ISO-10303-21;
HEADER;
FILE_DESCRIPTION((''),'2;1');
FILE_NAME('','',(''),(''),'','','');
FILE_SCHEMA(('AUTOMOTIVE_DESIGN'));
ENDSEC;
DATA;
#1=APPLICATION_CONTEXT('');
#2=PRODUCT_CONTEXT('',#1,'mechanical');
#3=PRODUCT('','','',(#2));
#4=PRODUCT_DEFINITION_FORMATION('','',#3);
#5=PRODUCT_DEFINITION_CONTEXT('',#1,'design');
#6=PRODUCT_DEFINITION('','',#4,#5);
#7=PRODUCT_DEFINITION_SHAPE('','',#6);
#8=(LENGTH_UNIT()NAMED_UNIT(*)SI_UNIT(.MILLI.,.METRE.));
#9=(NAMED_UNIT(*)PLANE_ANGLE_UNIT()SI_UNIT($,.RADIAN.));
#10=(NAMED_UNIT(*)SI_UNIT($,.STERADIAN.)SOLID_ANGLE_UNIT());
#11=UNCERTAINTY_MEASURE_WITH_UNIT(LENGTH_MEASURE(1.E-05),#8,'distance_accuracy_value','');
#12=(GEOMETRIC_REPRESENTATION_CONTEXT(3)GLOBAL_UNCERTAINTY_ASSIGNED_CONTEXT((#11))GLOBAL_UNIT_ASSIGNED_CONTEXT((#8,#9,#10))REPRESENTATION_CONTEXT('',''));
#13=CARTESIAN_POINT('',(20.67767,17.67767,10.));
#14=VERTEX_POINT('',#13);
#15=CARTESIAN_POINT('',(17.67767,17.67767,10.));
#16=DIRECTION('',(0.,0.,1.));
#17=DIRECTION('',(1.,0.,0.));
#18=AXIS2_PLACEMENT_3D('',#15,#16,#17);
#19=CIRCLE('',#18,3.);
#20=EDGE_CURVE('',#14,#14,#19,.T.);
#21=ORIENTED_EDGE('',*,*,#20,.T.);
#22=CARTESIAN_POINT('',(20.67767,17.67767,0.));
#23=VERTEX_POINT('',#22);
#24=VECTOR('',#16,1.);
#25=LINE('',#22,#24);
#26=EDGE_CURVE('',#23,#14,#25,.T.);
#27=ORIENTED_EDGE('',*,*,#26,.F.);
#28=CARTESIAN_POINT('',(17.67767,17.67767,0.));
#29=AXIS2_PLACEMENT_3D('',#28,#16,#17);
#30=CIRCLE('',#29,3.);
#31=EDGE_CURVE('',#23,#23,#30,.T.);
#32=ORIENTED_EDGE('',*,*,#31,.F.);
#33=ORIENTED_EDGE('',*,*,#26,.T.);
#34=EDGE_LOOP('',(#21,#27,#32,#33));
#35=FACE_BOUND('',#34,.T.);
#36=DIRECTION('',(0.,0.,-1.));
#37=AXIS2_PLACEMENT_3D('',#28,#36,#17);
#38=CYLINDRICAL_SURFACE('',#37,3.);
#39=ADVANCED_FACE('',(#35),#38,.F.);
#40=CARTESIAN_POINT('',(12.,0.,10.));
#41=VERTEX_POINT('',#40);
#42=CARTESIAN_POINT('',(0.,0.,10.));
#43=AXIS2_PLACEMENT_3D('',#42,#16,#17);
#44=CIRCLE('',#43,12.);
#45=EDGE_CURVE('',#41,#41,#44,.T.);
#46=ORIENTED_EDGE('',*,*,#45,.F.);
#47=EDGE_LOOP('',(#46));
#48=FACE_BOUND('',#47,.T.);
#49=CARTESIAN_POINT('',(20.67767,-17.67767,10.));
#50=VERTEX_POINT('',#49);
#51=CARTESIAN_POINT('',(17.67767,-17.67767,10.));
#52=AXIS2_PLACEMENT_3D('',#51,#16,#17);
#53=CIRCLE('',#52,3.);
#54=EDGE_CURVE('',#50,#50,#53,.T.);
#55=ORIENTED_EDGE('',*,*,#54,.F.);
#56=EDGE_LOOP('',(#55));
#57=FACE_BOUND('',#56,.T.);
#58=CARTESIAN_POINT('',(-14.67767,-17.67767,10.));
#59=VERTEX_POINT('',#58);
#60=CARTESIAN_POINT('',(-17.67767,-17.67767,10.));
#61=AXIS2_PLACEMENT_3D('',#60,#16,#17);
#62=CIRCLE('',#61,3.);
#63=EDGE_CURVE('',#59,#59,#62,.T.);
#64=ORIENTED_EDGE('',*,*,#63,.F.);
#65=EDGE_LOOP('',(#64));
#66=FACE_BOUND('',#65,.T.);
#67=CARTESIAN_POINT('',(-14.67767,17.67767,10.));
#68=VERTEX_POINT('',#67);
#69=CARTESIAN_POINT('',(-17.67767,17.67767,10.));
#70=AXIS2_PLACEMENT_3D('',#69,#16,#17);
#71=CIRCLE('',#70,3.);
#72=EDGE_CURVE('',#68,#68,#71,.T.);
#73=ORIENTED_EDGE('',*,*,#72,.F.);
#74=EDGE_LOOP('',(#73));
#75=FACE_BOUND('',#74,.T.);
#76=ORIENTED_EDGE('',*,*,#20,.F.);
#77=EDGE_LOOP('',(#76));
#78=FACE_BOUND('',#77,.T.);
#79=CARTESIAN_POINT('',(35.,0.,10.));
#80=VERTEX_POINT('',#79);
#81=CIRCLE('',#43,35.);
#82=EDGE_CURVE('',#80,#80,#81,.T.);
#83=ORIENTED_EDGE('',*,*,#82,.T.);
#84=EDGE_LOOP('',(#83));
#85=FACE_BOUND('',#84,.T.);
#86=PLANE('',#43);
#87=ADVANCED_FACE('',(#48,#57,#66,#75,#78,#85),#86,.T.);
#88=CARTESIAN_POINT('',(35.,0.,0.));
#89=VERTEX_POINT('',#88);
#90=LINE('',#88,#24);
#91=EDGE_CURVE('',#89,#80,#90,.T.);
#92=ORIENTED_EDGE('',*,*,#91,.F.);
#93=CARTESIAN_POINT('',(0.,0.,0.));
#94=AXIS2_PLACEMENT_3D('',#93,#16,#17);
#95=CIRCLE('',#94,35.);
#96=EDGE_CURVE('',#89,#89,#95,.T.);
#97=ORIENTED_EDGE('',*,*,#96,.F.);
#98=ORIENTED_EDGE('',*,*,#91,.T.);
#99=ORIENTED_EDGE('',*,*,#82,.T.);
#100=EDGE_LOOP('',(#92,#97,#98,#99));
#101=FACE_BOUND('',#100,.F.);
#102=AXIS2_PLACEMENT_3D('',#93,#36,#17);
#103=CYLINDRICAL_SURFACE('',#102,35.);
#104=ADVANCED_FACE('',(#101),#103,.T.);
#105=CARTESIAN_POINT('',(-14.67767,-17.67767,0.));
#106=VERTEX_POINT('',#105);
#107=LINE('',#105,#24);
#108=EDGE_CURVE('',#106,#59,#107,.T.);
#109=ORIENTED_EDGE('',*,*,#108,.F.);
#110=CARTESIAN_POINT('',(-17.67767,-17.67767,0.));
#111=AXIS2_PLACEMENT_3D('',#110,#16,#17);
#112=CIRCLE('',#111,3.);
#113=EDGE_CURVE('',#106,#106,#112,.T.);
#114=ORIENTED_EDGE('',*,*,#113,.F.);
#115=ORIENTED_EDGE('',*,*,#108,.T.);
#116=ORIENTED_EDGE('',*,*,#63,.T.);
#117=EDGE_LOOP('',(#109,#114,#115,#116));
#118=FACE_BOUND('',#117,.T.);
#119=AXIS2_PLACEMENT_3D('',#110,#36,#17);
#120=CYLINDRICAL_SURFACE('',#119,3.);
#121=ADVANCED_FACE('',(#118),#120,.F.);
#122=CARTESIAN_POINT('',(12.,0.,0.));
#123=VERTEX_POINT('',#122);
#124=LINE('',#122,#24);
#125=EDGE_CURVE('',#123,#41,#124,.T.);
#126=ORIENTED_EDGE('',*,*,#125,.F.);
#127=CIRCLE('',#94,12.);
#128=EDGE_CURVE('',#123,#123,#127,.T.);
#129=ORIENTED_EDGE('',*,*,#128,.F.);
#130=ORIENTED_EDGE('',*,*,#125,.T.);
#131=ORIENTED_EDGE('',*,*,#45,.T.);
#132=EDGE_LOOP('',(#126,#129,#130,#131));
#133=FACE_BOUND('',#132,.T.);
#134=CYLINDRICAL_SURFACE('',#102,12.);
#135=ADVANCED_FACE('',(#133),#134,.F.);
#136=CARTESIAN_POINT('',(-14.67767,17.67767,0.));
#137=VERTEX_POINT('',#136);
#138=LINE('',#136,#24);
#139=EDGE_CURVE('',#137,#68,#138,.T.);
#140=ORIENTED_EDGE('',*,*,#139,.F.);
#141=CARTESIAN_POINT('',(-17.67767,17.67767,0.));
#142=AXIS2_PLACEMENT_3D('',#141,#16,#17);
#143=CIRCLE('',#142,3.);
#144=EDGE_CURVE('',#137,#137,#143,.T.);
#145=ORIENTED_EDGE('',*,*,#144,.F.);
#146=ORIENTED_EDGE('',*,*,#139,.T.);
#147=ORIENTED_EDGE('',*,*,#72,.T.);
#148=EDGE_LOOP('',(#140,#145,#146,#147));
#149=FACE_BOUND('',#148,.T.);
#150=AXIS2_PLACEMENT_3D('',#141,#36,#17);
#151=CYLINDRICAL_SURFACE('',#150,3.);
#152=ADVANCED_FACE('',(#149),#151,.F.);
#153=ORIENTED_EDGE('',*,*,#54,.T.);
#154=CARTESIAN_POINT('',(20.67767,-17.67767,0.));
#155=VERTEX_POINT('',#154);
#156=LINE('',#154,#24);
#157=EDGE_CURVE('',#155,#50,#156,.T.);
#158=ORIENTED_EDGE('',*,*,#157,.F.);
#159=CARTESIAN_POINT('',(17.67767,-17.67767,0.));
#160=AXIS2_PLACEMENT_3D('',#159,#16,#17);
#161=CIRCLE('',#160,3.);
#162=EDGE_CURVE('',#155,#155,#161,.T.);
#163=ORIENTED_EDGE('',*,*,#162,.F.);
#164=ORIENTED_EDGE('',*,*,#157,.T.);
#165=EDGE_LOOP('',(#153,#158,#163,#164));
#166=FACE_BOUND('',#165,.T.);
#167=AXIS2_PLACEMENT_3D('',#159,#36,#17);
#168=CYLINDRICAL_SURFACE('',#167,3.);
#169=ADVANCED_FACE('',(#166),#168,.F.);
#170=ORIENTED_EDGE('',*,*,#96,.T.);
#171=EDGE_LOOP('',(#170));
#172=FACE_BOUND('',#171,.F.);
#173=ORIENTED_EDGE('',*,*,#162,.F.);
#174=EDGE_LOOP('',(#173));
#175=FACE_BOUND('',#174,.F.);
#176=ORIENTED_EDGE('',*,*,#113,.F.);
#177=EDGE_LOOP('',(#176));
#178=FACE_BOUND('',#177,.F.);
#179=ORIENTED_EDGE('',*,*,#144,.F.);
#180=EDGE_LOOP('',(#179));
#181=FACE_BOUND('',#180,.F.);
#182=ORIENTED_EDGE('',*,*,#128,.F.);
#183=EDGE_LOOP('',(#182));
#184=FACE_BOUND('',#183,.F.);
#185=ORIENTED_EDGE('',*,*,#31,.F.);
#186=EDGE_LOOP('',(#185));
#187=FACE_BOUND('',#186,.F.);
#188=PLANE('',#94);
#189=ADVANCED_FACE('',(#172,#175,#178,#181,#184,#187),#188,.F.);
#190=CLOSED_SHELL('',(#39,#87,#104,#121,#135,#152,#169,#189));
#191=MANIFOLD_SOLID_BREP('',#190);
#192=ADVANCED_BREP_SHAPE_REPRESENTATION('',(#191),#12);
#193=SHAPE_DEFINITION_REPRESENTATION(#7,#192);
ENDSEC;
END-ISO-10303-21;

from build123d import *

# Parameters (mm, degrees)
SKETCH_R   = 35
SKETCH_R_2 = 12
SKETCH_R_3 = 3
PAD_DEPTH  = 10


with BuildPart() as part:
    # Sketch → Pad (new body)
    with BuildSketch(Plane.XY):
        Circle(SKETCH_R)
        Circle(SKETCH_R_2, mode=Mode.SUBTRACT)
        with Locations((-17.67767, 17.67767)):
            Circle(SKETCH_R_3, mode=Mode.SUBTRACT)
        with Locations((17.67767, 17.67767)):
            Circle(SKETCH_R_3, mode=Mode.SUBTRACT)
        with Locations((-17.67767, -17.67767)):
            Circle(SKETCH_R_3, mode=Mode.SUBTRACT)
        with Locations((17.67767, -17.67767)):
            Circle(SKETCH_R_3, mode=Mode.SUBTRACT)
    extrude(amount=PAD_DEPTH)


solid = part.part
